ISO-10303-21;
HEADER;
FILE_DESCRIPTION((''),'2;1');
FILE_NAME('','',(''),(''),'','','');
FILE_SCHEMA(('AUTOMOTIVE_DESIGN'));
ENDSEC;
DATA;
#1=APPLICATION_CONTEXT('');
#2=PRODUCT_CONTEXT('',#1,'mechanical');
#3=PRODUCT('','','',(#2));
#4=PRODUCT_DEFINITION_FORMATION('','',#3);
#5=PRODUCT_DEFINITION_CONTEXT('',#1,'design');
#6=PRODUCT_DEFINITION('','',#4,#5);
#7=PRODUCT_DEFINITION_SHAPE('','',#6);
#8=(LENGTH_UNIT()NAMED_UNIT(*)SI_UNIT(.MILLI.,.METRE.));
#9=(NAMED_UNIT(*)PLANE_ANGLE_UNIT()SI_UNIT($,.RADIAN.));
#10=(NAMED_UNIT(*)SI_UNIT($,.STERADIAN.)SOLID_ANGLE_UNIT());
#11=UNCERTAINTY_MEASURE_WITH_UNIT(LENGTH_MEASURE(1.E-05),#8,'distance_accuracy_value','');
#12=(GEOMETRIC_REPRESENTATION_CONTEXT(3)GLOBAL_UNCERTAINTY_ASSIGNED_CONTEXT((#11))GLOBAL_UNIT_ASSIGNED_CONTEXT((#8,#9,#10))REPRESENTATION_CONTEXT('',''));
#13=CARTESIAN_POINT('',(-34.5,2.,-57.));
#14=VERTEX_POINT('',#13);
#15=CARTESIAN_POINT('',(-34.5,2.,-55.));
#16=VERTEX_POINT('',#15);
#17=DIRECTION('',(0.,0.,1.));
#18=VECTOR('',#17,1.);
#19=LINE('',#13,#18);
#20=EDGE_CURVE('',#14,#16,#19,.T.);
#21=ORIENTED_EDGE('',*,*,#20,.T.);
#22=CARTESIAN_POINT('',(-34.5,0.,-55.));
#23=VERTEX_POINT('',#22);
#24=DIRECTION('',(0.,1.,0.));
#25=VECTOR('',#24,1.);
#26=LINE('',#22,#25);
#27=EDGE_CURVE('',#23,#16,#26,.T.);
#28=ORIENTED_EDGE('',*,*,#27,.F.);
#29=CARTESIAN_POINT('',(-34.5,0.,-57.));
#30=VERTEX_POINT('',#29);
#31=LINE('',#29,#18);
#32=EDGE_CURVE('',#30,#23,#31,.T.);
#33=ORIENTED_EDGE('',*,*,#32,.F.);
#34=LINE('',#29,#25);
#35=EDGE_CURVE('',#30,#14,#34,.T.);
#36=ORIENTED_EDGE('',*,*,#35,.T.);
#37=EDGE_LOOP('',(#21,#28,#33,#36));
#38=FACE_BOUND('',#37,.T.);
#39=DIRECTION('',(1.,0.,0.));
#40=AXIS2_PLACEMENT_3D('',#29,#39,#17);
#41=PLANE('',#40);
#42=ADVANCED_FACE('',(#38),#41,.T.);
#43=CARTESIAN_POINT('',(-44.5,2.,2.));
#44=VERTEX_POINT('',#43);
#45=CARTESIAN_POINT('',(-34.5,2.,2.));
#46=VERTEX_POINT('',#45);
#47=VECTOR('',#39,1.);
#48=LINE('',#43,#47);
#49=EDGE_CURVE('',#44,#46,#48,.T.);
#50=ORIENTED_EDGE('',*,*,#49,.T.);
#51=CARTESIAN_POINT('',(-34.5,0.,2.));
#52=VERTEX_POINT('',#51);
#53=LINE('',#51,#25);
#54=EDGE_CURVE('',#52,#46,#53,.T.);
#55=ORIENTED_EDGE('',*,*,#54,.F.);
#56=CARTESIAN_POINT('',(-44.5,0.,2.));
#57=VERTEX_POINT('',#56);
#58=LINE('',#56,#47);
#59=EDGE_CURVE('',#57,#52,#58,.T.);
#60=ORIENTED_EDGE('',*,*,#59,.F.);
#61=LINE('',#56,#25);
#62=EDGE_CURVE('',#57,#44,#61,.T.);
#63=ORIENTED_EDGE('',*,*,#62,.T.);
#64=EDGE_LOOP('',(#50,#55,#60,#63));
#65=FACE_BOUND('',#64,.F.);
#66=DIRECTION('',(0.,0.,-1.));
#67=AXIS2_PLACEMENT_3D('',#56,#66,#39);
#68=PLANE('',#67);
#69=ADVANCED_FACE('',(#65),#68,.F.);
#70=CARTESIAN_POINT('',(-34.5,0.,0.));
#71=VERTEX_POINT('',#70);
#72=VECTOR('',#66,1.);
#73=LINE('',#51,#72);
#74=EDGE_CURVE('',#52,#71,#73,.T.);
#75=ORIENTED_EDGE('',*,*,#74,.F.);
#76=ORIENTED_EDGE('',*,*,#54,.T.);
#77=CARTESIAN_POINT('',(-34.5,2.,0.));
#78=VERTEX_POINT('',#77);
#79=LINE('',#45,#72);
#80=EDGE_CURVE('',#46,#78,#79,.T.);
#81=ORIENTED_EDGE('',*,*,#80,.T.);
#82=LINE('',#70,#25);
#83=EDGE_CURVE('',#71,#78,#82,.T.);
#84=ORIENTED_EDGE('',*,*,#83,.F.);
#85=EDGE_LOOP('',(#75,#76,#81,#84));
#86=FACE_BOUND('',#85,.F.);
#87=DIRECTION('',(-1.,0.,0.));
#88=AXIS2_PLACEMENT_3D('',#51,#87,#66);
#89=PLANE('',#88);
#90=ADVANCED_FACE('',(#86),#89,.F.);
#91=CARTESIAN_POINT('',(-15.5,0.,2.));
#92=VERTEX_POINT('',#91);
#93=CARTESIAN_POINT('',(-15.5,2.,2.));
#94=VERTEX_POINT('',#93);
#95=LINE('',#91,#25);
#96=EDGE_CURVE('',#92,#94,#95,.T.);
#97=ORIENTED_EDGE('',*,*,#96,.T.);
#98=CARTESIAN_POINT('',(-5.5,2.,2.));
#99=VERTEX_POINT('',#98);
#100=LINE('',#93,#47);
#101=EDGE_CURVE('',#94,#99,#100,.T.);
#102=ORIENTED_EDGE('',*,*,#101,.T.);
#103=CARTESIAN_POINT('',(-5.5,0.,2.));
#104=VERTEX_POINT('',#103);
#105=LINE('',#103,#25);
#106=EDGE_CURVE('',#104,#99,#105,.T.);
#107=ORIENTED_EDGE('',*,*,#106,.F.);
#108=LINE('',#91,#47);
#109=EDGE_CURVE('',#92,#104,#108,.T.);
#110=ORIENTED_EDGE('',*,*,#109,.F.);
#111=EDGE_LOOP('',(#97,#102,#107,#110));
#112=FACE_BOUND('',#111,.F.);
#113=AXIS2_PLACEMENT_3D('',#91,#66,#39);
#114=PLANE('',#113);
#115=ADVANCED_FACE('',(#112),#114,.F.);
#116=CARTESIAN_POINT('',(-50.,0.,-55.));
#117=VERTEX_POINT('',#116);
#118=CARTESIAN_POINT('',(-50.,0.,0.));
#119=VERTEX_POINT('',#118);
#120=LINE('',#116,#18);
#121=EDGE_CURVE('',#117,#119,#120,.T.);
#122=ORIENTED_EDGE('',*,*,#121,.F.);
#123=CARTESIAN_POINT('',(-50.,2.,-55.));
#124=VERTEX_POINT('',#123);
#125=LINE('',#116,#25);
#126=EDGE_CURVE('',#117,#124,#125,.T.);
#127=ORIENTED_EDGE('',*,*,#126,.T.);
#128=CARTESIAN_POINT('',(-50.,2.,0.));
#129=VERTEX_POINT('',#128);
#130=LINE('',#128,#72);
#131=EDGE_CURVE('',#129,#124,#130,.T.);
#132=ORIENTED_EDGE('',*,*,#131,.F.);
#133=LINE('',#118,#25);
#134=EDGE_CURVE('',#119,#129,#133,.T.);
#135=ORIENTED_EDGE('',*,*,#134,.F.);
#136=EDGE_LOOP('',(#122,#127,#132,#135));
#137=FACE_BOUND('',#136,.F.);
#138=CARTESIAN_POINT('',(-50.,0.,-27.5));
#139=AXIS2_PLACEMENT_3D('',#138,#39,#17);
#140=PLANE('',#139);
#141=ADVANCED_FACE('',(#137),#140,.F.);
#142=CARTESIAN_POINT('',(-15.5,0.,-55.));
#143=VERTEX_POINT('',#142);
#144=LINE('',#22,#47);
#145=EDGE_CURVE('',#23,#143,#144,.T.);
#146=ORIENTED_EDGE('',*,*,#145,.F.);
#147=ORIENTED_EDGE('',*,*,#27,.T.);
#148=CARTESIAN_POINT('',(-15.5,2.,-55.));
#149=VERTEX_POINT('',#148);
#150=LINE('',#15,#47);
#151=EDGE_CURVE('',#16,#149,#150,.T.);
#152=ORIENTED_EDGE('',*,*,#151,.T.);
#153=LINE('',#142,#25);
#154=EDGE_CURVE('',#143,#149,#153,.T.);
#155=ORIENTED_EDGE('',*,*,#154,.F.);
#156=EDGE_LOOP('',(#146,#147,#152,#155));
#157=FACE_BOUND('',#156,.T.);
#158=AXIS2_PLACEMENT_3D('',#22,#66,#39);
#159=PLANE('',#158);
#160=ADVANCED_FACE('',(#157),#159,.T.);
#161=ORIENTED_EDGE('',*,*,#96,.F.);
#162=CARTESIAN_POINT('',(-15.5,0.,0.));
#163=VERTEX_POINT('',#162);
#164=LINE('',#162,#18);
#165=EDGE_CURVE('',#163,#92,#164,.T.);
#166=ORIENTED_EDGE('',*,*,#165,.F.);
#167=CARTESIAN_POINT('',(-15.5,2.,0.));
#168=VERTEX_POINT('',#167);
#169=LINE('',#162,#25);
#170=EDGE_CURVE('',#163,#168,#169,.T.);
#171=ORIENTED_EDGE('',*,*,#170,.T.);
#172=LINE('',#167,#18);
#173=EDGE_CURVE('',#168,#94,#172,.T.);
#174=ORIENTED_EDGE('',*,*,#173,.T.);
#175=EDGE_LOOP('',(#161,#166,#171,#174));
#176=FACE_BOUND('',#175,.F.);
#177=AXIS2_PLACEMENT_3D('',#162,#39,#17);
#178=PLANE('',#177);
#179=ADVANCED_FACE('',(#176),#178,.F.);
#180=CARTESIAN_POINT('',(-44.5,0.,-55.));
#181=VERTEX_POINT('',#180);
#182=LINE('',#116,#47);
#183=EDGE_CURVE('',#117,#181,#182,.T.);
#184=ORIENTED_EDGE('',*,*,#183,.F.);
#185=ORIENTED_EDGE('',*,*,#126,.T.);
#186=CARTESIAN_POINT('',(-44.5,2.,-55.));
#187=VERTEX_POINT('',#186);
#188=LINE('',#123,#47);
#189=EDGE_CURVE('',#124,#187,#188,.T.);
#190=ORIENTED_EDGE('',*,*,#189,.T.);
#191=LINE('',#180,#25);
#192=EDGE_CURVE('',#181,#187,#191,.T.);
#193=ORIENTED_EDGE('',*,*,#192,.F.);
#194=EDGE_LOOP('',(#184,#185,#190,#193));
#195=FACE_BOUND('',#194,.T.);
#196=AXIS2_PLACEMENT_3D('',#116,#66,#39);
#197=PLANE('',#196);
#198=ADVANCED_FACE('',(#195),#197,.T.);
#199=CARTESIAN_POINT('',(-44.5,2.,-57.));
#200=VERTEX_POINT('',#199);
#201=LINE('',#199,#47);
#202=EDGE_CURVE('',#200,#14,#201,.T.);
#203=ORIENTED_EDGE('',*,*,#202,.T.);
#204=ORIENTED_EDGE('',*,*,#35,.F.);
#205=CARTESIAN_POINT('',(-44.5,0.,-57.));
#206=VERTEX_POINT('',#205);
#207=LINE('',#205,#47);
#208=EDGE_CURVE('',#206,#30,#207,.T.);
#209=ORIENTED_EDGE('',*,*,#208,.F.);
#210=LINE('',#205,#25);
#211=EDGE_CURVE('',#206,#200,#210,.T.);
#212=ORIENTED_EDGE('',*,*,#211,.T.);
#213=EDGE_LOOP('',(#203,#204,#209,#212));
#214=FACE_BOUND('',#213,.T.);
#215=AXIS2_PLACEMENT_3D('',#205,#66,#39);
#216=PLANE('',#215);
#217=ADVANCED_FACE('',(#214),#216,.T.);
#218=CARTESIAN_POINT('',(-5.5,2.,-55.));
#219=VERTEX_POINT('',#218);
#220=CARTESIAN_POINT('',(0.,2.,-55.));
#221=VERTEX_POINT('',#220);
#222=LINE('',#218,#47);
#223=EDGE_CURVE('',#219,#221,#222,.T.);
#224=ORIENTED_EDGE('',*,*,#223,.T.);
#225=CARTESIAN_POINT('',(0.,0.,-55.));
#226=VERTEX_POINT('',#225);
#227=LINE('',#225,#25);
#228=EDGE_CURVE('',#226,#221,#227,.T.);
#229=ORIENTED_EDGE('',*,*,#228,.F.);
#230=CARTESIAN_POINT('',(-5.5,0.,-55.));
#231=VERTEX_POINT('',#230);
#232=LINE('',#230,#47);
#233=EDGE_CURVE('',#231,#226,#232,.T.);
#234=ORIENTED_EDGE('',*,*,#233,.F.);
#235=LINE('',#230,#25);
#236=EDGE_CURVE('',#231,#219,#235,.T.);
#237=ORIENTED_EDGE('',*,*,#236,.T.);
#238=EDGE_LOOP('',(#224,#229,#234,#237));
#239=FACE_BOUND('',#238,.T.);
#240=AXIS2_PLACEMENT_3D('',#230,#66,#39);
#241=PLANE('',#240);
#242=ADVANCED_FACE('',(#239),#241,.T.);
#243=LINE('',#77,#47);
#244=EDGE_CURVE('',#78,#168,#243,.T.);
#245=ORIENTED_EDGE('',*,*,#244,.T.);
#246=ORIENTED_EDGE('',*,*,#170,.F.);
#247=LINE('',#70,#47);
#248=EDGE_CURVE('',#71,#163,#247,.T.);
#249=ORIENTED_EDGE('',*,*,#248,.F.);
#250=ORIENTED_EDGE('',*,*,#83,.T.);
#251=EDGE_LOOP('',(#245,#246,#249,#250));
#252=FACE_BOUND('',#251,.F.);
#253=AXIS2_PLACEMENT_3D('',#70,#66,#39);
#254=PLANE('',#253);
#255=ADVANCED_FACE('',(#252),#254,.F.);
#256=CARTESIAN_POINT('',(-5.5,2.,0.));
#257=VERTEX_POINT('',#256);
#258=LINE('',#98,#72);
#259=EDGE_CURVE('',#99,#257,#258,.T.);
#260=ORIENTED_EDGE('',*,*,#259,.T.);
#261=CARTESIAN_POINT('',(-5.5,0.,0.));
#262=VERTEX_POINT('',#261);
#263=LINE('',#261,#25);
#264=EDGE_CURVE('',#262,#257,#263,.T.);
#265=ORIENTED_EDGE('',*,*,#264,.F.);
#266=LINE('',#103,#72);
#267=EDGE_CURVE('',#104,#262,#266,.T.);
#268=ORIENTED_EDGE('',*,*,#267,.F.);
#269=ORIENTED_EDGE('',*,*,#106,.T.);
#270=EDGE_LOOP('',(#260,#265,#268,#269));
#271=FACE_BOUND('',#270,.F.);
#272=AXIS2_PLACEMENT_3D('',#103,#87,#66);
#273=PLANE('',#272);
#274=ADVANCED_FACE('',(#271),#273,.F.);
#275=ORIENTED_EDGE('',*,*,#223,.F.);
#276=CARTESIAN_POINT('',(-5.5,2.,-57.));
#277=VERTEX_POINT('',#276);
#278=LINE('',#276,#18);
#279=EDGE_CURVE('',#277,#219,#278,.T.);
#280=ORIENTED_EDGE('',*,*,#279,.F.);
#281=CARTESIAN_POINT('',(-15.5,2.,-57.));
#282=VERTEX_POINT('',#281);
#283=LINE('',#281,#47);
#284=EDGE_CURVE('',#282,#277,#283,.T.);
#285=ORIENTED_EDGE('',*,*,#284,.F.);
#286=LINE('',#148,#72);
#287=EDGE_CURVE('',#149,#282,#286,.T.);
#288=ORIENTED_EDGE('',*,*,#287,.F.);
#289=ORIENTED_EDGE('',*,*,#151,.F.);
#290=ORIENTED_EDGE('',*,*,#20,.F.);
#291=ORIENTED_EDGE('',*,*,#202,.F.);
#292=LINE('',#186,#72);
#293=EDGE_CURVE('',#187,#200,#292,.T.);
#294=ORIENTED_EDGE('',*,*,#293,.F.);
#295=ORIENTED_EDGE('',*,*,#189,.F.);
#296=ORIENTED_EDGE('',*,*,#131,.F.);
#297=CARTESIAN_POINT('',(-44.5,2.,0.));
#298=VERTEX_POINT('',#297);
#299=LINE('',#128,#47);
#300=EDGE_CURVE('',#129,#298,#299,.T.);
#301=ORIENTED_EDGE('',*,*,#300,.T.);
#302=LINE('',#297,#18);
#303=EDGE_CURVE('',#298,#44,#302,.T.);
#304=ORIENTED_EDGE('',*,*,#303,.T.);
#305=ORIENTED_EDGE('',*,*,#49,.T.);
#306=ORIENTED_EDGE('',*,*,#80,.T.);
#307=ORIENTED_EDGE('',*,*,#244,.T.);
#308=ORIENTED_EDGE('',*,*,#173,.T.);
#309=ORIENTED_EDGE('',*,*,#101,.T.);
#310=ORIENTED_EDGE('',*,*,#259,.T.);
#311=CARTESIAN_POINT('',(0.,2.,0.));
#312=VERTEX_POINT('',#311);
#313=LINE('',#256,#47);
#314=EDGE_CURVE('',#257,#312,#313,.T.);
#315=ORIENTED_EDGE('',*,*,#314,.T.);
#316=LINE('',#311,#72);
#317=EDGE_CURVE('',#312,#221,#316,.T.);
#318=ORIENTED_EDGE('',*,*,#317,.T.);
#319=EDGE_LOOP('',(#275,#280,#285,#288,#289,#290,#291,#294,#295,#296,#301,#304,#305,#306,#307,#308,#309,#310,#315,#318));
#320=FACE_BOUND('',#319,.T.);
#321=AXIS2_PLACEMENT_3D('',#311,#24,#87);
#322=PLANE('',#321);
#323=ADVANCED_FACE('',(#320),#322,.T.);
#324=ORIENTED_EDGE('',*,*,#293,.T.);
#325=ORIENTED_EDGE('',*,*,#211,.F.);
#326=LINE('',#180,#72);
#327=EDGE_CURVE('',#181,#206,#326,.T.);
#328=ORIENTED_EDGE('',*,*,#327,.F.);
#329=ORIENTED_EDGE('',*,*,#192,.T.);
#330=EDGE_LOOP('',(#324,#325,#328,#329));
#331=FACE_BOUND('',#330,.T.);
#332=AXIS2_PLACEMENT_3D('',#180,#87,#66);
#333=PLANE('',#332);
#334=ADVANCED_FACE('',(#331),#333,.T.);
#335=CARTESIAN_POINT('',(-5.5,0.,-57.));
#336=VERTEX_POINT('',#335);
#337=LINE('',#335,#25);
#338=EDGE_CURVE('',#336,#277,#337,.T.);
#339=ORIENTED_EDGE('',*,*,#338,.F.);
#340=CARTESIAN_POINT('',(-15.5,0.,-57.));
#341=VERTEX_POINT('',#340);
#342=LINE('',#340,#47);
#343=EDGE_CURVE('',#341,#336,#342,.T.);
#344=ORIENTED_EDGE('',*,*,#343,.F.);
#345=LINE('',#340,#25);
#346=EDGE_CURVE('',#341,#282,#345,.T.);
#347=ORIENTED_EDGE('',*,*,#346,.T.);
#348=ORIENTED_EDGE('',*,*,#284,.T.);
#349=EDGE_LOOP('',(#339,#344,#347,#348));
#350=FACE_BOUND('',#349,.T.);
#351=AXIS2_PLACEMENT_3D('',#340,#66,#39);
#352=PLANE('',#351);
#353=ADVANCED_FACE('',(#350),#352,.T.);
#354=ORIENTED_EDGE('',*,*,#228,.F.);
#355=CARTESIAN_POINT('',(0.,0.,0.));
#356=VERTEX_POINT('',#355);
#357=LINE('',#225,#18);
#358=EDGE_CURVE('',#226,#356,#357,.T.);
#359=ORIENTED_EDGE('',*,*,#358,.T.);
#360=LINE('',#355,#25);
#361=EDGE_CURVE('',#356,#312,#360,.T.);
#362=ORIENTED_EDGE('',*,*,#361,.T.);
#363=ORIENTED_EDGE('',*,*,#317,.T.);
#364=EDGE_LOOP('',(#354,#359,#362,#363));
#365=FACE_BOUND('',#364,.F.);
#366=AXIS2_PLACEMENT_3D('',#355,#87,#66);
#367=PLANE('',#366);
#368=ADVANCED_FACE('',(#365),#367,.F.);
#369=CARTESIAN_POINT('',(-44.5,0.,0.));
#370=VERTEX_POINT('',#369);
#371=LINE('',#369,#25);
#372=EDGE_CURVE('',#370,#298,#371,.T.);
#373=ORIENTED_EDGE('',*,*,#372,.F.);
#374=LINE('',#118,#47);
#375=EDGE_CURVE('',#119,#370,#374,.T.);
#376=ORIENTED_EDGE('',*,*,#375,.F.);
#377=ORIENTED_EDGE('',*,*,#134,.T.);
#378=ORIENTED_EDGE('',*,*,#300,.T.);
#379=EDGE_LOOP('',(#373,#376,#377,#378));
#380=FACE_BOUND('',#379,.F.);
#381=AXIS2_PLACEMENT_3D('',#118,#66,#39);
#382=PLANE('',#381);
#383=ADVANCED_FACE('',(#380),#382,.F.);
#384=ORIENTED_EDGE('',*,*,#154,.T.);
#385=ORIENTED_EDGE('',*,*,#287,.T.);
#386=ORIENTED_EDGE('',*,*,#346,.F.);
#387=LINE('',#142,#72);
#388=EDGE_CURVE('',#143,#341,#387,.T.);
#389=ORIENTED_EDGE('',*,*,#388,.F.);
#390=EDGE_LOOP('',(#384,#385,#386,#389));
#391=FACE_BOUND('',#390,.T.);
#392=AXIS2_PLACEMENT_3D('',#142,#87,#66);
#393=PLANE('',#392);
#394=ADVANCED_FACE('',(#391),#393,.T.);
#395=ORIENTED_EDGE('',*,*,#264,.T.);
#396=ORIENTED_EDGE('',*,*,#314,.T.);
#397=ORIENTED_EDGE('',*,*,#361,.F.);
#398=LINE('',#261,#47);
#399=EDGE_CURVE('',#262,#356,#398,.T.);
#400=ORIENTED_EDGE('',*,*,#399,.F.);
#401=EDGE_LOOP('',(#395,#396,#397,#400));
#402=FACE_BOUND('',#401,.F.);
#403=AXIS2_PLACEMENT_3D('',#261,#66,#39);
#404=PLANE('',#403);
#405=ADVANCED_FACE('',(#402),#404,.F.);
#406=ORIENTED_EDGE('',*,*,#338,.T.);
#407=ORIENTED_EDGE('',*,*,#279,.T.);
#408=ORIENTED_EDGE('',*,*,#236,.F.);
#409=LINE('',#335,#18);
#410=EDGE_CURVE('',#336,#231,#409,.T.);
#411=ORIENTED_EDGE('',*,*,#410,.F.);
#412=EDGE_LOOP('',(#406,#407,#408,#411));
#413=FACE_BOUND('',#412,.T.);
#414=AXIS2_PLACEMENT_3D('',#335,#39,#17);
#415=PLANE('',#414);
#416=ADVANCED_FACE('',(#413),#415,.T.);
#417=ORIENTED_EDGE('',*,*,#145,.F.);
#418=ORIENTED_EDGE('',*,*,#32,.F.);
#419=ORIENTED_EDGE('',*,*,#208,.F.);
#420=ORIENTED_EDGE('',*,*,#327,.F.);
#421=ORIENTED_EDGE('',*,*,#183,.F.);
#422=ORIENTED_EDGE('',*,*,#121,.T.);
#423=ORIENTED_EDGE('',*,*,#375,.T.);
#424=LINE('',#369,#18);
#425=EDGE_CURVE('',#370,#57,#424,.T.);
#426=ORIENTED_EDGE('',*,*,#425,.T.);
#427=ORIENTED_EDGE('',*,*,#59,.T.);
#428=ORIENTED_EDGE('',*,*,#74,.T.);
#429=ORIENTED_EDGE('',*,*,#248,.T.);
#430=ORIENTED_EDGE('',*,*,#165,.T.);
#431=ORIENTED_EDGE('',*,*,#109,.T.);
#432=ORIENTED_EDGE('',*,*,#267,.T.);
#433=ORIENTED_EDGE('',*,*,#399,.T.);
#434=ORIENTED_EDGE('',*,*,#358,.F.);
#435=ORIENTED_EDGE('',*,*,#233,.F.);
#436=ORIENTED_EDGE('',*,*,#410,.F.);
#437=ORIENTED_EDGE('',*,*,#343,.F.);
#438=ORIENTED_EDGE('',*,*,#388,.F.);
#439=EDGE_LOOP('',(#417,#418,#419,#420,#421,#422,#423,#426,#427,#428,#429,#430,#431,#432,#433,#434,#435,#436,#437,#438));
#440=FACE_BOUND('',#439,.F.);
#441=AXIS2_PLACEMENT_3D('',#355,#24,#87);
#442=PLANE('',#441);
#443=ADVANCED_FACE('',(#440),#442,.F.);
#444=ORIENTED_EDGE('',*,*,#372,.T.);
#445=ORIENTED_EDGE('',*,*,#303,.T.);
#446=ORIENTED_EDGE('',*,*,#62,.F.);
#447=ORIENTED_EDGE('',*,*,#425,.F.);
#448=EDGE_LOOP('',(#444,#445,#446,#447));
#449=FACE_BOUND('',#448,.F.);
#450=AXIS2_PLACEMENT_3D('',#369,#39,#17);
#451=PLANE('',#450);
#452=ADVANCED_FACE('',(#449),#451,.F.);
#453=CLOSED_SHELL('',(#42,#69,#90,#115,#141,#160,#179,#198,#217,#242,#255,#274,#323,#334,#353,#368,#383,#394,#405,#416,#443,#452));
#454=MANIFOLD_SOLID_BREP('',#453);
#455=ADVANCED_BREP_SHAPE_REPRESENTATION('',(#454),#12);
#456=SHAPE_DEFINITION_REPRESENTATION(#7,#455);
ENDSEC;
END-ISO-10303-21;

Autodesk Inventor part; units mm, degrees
ref_plane "YZ Plane" through (0, 0, 0) normal (1, 0, 0) x (0, 1, 0)
ref_plane "XZ Plane" through (0, 0, 0) normal (0, 1, 0) x (-1, 0, 0)
ref_plane "XY Plane" through (0, 0, 0) normal (0, 0, 1) x (1, 0, 0)
sketch "Sketch1" plane through (0, 0, 0) normal (0, 1, 0) x (-1, 0, 0)
  line L0 (50, 0) -> (44.5, 0)
  line L1 (44.5, 0) -> (44.5, 2)
  line L2 (44.5, 2) -> (34.5, 2)
  line L3 (34.5, 2) -> (34.5, 0)
  line L4 (34.5, 0) -> (15.5, 0)
  line L5 (15.5, 0) -> (15.5, 2)
  line L6 (15.5, 2) -> (5.5, 2)
  line L7 (5.5, 2) -> (5.5, 0)
  line L8 (5.5, 0) -> (0, 0)
  line L9 (0, 0) -> (0, -27.5)
  line L10 (0, -27.5) -> (50, -27.5)
  line L11 (50, -27.5) -> (50, 0)
  line L12 (50, -55) -> (44.5, -55)
  line L13 (44.5, -55) -> (44.5, -57)
  line L14 (44.5, -57) -> (34.5, -57)
  line L15 (34.5, -57) -> (34.5, -55)
  line L16 (34.5, -55) -> (15.5, -55)
  line L17 (15.5, -55) -> (15.5, -57)
  line L18 (15.5, -57) -> (5.5, -57)
  line L19 (5.5, -57) -> (5.5, -55)
  line L20 (5.5, -55) -> (0, -55)
  line L21 (0, -55) -> (0, -27.5)
  line L22 (50, -27.5) -> (50, -55)
  point P0 (0, -55)
  dimension "d1" = 50
  dimension "d2" = 10
  dimension "d3" = 10
  dimension "d4" = 5.5
  dimension "d5" = 5.5
  dimension "d6" = 2
  dimension "d7" = 27.5
extrude "Plate1" add sketch "Sketch1" along normal blind 2
equation "\"d8\" = Thickness"
equation "\"BendRadius\" = Thickness"
equation "\"BendReliefWidth\" = Thickness"
equation "\"BendReliefDepth\" = 0.5 * Thickness"
equation "\"CornerReliefSize\" = 4 * Thickness"
equation "\"MinimumRemnant\" = 2 * Thickness"
equation "\"TransitionRadius\" = BendRadius"
equation "\"JacobiRadiusSize\" = BendRadius"
equation "\"GapSize\" = Thickness"
equation "\"Thickness\" = 2"
properties part number "backstop_beslag"
